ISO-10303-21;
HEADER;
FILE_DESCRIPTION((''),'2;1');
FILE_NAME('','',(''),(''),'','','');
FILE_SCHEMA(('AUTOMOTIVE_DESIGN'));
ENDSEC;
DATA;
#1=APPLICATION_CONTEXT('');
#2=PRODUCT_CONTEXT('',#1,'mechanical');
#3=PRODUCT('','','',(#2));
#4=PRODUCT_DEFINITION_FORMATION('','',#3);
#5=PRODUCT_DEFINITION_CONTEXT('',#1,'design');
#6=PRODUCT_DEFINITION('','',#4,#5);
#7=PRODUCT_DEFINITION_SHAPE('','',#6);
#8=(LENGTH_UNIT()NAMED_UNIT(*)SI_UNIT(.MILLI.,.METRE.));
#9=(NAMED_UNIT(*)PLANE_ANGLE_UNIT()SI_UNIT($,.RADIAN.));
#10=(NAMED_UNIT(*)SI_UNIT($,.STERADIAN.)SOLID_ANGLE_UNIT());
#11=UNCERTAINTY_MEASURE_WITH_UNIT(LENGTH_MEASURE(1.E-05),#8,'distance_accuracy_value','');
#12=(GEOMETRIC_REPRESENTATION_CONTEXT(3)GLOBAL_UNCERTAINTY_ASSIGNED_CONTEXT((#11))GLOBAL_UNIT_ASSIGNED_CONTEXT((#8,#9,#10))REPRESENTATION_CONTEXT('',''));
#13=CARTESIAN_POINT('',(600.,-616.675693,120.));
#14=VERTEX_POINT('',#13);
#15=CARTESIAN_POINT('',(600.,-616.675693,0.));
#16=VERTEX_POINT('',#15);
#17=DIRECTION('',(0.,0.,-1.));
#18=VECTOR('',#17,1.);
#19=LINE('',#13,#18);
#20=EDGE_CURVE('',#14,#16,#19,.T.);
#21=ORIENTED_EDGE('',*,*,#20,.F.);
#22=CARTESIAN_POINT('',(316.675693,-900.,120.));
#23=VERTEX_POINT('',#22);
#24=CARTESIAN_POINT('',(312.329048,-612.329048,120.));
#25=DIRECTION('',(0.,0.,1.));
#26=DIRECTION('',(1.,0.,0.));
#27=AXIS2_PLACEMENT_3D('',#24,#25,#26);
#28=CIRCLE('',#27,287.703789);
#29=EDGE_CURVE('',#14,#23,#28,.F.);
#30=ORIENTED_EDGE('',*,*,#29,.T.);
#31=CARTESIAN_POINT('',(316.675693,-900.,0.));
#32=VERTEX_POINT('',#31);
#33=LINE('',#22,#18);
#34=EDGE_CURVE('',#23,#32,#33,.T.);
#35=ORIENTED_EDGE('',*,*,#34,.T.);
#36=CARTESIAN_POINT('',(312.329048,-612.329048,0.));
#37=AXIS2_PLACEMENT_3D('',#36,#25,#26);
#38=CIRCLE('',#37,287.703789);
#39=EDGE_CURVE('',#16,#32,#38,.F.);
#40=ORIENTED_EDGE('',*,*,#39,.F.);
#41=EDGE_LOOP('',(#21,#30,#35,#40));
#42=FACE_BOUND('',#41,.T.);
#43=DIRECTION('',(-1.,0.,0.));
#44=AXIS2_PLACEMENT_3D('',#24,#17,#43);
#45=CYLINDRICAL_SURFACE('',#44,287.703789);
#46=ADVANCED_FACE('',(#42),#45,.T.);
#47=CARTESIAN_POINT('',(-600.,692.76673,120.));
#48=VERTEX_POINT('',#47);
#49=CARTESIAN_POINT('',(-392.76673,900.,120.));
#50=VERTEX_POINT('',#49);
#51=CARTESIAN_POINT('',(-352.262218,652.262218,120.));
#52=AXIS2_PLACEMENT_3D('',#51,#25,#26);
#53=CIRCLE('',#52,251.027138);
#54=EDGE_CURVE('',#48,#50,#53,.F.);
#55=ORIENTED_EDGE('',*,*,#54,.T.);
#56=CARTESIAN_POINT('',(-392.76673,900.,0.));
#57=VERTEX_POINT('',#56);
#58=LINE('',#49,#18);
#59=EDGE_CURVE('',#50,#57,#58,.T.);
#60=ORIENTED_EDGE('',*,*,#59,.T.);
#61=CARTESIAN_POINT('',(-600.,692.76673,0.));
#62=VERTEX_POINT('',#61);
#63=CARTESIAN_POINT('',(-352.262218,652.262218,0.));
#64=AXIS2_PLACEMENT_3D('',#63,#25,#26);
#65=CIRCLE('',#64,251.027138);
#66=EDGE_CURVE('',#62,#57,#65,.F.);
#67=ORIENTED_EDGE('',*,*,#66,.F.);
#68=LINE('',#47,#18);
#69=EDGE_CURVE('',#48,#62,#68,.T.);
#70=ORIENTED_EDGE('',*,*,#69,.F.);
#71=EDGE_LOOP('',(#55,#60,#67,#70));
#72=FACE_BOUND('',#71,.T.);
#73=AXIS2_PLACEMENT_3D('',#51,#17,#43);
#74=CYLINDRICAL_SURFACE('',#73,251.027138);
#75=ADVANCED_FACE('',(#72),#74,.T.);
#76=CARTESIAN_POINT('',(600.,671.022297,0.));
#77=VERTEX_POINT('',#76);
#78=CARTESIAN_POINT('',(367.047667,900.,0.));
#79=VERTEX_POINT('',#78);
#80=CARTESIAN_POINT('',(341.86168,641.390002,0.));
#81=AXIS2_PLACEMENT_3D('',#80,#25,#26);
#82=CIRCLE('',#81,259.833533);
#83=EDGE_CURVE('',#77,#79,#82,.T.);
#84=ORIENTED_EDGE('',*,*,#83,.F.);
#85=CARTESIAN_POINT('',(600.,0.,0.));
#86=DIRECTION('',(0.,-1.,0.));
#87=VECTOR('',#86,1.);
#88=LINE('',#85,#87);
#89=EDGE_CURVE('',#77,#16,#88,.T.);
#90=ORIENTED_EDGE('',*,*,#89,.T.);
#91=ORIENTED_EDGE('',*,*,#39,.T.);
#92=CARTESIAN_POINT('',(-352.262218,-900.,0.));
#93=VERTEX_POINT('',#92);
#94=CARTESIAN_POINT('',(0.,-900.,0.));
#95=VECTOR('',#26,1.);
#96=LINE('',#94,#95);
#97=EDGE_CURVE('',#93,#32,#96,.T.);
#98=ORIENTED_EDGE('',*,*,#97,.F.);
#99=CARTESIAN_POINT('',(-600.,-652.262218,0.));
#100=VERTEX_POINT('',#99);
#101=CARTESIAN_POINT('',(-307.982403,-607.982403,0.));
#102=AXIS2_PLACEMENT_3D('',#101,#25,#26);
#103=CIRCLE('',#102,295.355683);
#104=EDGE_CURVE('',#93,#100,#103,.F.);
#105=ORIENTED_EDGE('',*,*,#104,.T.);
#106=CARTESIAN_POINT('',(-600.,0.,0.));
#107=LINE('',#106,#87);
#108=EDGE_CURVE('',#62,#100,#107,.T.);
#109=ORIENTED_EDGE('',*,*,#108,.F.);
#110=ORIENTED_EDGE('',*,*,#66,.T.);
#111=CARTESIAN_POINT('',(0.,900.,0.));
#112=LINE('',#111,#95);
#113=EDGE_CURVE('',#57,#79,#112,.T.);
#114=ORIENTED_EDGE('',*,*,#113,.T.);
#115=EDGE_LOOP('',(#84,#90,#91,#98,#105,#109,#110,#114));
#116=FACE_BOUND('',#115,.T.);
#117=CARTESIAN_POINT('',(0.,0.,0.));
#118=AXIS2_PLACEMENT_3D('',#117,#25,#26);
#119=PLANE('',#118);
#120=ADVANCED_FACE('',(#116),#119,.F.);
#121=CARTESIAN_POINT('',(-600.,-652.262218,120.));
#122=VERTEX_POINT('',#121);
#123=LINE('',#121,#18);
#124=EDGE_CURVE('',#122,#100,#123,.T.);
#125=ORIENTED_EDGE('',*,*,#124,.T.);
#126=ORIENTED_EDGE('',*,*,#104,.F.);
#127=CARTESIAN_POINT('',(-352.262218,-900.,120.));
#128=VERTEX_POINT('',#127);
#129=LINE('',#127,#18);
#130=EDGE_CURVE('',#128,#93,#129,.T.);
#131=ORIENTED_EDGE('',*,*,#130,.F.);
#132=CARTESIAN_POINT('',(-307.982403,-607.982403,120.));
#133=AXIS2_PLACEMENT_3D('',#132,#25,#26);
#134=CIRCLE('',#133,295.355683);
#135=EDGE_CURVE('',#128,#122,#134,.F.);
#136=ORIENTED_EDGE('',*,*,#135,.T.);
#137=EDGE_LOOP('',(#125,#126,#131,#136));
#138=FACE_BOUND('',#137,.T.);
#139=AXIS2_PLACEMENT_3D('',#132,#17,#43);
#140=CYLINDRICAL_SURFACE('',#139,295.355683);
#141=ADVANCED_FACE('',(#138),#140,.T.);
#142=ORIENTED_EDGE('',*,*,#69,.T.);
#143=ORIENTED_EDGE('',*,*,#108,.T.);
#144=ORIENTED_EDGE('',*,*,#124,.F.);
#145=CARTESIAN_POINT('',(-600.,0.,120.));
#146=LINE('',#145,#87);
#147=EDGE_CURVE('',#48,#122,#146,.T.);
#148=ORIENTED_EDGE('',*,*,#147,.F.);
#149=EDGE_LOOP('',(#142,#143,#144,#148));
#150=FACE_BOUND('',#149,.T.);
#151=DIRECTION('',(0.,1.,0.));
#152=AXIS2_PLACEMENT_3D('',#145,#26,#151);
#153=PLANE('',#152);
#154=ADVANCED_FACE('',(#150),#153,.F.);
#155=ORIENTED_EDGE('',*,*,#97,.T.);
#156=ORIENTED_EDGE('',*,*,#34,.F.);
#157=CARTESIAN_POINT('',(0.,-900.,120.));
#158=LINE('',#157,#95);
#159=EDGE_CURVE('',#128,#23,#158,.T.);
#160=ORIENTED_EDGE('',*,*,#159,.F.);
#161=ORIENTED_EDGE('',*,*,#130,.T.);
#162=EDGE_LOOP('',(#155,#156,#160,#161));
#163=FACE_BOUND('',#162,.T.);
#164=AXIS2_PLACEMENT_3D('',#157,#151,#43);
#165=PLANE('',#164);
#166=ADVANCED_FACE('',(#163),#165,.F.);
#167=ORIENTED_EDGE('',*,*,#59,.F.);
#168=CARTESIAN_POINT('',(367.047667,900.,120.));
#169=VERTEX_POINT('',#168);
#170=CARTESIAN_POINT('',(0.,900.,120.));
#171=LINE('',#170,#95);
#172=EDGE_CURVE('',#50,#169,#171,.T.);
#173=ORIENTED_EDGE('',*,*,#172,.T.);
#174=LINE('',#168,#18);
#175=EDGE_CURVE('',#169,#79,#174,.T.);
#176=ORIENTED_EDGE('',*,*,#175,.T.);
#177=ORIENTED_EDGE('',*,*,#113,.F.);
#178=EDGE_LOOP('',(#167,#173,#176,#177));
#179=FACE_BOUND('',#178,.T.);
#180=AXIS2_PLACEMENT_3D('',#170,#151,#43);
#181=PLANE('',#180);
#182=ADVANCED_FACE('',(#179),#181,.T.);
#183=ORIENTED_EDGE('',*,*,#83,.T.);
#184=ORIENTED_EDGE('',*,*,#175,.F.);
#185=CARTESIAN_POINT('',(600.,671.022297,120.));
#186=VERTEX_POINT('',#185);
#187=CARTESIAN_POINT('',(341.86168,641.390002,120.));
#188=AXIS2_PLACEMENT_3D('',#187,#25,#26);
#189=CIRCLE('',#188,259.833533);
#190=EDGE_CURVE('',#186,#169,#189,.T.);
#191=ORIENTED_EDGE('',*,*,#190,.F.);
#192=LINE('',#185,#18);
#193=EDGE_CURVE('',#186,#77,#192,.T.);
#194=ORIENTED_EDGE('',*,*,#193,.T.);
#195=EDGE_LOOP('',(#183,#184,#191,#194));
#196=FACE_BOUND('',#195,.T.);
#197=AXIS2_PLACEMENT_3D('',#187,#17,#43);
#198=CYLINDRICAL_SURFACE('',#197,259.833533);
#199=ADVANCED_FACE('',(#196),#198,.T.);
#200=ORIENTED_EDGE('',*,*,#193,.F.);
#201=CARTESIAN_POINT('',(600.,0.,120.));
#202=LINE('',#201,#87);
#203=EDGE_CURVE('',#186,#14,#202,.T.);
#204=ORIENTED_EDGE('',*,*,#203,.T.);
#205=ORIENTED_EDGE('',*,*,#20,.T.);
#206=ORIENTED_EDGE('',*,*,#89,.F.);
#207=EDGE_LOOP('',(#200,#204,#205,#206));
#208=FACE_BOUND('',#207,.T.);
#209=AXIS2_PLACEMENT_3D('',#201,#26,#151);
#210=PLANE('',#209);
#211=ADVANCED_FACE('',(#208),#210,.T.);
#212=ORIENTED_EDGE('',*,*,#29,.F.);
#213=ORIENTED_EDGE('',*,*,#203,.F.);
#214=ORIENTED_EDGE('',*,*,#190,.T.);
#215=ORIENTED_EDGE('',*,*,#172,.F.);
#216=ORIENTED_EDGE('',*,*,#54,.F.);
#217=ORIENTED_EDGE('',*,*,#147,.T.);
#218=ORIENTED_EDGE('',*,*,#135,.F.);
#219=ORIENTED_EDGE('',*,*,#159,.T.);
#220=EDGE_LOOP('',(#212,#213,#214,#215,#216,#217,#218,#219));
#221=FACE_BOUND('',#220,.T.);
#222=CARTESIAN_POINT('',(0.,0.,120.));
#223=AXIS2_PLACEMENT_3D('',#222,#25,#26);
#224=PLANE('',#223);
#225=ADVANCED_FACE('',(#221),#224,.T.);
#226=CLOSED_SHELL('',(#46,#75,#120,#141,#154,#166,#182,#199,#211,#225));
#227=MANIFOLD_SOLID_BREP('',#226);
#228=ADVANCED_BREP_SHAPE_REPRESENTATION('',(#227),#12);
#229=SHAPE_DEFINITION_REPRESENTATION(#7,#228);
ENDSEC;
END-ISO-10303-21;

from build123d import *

# Parameters (mm, degrees)
BOSS_EXTRUDE1_DEPTH = 120


with BuildPart() as part:
    # Sketch3 → Boss-Extrude1 (new body)
    with BuildSketch(Plane.XY):
        with BuildLine():
            Line((367.047667182, 900), (-392.766729868, 900))
            ThreePointArc((-392.766729868, 900), (-529.765209749, 829.765209749), (-600, 692.766729868))
            Line((-600, 692.766729868), (-600, -652.262218358))
            ThreePointArc((-600, -652.262218358), (-516.83040869, -816.83040869), (-352.262218358, -900))
            Line((-352.262218358, -900), (316.675693069, -900))
            ThreePointArc((316.675693069, -900), (515.76634783, -815.76634783), (600, -616.675693069))
            Line((600, -616.675693069), (600, -607.982402727))
            Line((600, -607.982402727), (600, 671.022296826))
            ThreePointArc((600, 671.022296826), (524.004104789, 826.694082288), (367.047667182, 900))
        make_face()
    extrude(amount=BOSS_EXTRUDE1_DEPTH)


solid = part.part
